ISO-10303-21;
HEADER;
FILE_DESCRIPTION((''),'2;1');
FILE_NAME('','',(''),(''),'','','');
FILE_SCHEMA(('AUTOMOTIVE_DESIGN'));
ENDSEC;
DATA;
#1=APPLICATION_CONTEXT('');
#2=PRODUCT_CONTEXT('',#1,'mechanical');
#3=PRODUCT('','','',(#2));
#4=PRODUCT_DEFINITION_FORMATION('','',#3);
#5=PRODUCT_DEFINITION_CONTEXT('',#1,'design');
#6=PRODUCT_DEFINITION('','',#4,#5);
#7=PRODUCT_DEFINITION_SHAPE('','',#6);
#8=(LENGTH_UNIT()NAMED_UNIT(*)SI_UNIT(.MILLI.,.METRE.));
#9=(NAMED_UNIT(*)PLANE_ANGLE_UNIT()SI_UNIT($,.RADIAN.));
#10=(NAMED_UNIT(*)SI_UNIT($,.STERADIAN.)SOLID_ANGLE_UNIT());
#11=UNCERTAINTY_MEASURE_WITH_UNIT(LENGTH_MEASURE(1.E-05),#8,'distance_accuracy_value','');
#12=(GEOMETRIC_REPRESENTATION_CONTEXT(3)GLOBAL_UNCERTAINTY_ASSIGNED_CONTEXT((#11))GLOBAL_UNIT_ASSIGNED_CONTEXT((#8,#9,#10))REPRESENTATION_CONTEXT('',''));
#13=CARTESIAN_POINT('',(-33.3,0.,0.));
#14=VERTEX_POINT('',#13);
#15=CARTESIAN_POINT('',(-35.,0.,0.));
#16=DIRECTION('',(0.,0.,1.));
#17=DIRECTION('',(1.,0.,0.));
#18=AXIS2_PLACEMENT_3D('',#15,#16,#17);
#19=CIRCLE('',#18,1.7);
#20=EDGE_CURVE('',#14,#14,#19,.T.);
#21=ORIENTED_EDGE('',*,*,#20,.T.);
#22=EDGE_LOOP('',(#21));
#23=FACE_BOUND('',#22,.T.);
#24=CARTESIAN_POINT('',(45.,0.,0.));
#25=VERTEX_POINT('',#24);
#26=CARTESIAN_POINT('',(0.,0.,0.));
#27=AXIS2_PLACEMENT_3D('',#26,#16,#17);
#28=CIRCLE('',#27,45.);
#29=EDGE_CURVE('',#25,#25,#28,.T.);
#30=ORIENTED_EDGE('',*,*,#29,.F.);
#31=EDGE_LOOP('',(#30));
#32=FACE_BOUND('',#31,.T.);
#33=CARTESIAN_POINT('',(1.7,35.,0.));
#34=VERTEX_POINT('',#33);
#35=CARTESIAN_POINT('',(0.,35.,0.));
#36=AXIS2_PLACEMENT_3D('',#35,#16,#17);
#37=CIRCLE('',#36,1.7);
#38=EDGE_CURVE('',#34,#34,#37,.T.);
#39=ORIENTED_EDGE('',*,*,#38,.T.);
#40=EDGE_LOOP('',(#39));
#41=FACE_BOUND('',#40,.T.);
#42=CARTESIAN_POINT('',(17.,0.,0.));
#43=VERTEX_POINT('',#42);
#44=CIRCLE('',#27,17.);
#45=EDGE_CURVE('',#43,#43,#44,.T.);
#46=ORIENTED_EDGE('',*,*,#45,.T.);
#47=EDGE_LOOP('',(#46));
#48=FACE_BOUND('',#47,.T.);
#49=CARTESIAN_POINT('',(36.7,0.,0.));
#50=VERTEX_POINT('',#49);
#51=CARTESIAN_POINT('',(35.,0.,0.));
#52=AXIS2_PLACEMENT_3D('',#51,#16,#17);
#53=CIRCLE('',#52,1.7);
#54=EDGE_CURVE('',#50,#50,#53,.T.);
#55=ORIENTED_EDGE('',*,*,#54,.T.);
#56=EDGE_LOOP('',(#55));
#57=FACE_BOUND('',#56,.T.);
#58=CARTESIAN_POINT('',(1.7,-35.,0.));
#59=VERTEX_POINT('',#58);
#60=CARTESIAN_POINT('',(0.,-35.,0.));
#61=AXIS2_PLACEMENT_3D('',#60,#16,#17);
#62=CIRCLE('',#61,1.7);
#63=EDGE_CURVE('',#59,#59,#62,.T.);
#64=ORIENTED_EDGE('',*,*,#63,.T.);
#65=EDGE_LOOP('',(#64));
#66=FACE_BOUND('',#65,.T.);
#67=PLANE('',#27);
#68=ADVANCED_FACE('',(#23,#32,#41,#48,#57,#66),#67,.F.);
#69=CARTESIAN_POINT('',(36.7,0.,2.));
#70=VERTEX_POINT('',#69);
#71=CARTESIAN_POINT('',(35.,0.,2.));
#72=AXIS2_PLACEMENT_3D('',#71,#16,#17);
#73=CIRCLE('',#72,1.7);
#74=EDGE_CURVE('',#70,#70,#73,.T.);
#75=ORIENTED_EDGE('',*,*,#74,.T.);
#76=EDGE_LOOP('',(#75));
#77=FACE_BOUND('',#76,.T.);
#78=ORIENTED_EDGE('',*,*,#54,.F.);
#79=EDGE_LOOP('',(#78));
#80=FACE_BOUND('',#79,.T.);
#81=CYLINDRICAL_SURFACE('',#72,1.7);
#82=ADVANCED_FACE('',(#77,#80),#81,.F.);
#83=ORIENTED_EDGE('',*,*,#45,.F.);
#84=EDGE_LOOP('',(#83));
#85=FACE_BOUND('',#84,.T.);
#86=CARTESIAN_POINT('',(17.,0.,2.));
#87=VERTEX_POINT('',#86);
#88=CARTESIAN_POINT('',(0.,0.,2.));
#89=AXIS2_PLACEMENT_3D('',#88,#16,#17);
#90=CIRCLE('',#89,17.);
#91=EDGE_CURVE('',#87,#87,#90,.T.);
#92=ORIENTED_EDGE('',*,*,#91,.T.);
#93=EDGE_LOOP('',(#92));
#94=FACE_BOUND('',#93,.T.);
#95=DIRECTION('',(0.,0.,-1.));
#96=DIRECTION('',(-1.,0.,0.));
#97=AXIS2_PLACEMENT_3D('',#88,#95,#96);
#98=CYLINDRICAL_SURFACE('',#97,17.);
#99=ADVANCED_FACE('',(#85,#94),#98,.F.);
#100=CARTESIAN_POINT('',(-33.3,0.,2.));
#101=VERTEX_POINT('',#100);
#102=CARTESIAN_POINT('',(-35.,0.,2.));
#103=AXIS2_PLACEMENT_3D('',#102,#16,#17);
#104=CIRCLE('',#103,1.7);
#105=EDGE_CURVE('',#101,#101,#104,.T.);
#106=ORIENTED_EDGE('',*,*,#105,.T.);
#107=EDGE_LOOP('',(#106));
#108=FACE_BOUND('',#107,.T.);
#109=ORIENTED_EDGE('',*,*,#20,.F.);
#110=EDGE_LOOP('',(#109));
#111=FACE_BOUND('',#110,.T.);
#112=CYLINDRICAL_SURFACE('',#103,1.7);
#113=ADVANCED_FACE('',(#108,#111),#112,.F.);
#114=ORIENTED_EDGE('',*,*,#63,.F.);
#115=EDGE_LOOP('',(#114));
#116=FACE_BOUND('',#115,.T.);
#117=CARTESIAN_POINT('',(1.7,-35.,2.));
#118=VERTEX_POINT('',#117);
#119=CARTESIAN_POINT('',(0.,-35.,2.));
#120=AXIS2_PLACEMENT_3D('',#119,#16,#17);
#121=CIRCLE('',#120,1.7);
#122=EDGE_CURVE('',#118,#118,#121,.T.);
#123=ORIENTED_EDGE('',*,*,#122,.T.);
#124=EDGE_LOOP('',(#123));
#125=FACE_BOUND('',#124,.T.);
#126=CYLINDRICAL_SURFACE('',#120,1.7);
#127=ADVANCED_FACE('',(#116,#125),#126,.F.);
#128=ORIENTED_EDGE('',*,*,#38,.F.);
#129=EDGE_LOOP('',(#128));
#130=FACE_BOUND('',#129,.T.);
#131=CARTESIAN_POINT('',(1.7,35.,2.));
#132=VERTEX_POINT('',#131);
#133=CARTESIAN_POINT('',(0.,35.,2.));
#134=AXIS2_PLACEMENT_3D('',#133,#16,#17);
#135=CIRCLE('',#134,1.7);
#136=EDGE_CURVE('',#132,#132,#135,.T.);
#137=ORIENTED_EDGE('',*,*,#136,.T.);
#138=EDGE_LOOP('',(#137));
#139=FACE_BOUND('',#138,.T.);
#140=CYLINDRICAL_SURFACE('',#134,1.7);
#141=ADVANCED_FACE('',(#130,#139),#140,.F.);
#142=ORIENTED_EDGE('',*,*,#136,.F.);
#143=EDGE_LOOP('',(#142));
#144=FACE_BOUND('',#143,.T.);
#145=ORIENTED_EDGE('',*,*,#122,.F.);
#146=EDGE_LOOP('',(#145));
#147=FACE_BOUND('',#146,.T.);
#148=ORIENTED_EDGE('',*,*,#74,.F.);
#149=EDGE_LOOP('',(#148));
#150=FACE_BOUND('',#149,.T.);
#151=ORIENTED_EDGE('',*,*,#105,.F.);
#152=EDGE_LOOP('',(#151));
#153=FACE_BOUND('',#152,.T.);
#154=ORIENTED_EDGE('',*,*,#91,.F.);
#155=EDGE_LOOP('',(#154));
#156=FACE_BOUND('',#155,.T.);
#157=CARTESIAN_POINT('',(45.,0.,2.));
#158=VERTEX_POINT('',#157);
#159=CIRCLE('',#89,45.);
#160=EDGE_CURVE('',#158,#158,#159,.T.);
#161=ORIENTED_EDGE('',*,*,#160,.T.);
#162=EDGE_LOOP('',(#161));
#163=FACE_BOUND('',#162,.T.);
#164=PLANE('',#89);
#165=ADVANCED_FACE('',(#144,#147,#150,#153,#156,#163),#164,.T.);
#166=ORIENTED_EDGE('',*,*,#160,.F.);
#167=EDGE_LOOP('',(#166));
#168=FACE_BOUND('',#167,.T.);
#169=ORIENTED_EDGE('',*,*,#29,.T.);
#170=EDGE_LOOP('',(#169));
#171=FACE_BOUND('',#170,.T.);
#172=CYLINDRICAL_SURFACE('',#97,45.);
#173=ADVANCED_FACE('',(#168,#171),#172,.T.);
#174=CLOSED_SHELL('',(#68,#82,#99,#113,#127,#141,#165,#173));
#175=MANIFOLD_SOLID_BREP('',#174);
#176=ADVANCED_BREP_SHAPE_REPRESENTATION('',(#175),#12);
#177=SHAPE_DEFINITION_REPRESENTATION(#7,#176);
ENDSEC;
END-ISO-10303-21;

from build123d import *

# Parameters (mm, degrees)
SKETCH_1_R        = 45
SKETCH_1_R_2      = 17
EXTRUDE_1_DEPTH   = 2
HOLE_WIZARD_M31_D = 3.4


with BuildPart() as part:
    # Эскиз1 → Бобышка-Вытянуть1 (new body)
    with BuildSketch(Plane.XY):
        Circle(SKETCH_1_R)
        Circle(SKETCH_1_R_2, mode=Mode.SUBTRACT)
    extrude(amount=EXTRUDE_1_DEPTH)

    # Отверстие с зазором M31 (through all)
    with Locations(Plane.XY.offset(2)):
        with Locations((0, 35), (-35, 0), (0, -35), (35, 0)):
            Hole(HOLE_WIZARD_M31_D / 2)


solid = part.part
